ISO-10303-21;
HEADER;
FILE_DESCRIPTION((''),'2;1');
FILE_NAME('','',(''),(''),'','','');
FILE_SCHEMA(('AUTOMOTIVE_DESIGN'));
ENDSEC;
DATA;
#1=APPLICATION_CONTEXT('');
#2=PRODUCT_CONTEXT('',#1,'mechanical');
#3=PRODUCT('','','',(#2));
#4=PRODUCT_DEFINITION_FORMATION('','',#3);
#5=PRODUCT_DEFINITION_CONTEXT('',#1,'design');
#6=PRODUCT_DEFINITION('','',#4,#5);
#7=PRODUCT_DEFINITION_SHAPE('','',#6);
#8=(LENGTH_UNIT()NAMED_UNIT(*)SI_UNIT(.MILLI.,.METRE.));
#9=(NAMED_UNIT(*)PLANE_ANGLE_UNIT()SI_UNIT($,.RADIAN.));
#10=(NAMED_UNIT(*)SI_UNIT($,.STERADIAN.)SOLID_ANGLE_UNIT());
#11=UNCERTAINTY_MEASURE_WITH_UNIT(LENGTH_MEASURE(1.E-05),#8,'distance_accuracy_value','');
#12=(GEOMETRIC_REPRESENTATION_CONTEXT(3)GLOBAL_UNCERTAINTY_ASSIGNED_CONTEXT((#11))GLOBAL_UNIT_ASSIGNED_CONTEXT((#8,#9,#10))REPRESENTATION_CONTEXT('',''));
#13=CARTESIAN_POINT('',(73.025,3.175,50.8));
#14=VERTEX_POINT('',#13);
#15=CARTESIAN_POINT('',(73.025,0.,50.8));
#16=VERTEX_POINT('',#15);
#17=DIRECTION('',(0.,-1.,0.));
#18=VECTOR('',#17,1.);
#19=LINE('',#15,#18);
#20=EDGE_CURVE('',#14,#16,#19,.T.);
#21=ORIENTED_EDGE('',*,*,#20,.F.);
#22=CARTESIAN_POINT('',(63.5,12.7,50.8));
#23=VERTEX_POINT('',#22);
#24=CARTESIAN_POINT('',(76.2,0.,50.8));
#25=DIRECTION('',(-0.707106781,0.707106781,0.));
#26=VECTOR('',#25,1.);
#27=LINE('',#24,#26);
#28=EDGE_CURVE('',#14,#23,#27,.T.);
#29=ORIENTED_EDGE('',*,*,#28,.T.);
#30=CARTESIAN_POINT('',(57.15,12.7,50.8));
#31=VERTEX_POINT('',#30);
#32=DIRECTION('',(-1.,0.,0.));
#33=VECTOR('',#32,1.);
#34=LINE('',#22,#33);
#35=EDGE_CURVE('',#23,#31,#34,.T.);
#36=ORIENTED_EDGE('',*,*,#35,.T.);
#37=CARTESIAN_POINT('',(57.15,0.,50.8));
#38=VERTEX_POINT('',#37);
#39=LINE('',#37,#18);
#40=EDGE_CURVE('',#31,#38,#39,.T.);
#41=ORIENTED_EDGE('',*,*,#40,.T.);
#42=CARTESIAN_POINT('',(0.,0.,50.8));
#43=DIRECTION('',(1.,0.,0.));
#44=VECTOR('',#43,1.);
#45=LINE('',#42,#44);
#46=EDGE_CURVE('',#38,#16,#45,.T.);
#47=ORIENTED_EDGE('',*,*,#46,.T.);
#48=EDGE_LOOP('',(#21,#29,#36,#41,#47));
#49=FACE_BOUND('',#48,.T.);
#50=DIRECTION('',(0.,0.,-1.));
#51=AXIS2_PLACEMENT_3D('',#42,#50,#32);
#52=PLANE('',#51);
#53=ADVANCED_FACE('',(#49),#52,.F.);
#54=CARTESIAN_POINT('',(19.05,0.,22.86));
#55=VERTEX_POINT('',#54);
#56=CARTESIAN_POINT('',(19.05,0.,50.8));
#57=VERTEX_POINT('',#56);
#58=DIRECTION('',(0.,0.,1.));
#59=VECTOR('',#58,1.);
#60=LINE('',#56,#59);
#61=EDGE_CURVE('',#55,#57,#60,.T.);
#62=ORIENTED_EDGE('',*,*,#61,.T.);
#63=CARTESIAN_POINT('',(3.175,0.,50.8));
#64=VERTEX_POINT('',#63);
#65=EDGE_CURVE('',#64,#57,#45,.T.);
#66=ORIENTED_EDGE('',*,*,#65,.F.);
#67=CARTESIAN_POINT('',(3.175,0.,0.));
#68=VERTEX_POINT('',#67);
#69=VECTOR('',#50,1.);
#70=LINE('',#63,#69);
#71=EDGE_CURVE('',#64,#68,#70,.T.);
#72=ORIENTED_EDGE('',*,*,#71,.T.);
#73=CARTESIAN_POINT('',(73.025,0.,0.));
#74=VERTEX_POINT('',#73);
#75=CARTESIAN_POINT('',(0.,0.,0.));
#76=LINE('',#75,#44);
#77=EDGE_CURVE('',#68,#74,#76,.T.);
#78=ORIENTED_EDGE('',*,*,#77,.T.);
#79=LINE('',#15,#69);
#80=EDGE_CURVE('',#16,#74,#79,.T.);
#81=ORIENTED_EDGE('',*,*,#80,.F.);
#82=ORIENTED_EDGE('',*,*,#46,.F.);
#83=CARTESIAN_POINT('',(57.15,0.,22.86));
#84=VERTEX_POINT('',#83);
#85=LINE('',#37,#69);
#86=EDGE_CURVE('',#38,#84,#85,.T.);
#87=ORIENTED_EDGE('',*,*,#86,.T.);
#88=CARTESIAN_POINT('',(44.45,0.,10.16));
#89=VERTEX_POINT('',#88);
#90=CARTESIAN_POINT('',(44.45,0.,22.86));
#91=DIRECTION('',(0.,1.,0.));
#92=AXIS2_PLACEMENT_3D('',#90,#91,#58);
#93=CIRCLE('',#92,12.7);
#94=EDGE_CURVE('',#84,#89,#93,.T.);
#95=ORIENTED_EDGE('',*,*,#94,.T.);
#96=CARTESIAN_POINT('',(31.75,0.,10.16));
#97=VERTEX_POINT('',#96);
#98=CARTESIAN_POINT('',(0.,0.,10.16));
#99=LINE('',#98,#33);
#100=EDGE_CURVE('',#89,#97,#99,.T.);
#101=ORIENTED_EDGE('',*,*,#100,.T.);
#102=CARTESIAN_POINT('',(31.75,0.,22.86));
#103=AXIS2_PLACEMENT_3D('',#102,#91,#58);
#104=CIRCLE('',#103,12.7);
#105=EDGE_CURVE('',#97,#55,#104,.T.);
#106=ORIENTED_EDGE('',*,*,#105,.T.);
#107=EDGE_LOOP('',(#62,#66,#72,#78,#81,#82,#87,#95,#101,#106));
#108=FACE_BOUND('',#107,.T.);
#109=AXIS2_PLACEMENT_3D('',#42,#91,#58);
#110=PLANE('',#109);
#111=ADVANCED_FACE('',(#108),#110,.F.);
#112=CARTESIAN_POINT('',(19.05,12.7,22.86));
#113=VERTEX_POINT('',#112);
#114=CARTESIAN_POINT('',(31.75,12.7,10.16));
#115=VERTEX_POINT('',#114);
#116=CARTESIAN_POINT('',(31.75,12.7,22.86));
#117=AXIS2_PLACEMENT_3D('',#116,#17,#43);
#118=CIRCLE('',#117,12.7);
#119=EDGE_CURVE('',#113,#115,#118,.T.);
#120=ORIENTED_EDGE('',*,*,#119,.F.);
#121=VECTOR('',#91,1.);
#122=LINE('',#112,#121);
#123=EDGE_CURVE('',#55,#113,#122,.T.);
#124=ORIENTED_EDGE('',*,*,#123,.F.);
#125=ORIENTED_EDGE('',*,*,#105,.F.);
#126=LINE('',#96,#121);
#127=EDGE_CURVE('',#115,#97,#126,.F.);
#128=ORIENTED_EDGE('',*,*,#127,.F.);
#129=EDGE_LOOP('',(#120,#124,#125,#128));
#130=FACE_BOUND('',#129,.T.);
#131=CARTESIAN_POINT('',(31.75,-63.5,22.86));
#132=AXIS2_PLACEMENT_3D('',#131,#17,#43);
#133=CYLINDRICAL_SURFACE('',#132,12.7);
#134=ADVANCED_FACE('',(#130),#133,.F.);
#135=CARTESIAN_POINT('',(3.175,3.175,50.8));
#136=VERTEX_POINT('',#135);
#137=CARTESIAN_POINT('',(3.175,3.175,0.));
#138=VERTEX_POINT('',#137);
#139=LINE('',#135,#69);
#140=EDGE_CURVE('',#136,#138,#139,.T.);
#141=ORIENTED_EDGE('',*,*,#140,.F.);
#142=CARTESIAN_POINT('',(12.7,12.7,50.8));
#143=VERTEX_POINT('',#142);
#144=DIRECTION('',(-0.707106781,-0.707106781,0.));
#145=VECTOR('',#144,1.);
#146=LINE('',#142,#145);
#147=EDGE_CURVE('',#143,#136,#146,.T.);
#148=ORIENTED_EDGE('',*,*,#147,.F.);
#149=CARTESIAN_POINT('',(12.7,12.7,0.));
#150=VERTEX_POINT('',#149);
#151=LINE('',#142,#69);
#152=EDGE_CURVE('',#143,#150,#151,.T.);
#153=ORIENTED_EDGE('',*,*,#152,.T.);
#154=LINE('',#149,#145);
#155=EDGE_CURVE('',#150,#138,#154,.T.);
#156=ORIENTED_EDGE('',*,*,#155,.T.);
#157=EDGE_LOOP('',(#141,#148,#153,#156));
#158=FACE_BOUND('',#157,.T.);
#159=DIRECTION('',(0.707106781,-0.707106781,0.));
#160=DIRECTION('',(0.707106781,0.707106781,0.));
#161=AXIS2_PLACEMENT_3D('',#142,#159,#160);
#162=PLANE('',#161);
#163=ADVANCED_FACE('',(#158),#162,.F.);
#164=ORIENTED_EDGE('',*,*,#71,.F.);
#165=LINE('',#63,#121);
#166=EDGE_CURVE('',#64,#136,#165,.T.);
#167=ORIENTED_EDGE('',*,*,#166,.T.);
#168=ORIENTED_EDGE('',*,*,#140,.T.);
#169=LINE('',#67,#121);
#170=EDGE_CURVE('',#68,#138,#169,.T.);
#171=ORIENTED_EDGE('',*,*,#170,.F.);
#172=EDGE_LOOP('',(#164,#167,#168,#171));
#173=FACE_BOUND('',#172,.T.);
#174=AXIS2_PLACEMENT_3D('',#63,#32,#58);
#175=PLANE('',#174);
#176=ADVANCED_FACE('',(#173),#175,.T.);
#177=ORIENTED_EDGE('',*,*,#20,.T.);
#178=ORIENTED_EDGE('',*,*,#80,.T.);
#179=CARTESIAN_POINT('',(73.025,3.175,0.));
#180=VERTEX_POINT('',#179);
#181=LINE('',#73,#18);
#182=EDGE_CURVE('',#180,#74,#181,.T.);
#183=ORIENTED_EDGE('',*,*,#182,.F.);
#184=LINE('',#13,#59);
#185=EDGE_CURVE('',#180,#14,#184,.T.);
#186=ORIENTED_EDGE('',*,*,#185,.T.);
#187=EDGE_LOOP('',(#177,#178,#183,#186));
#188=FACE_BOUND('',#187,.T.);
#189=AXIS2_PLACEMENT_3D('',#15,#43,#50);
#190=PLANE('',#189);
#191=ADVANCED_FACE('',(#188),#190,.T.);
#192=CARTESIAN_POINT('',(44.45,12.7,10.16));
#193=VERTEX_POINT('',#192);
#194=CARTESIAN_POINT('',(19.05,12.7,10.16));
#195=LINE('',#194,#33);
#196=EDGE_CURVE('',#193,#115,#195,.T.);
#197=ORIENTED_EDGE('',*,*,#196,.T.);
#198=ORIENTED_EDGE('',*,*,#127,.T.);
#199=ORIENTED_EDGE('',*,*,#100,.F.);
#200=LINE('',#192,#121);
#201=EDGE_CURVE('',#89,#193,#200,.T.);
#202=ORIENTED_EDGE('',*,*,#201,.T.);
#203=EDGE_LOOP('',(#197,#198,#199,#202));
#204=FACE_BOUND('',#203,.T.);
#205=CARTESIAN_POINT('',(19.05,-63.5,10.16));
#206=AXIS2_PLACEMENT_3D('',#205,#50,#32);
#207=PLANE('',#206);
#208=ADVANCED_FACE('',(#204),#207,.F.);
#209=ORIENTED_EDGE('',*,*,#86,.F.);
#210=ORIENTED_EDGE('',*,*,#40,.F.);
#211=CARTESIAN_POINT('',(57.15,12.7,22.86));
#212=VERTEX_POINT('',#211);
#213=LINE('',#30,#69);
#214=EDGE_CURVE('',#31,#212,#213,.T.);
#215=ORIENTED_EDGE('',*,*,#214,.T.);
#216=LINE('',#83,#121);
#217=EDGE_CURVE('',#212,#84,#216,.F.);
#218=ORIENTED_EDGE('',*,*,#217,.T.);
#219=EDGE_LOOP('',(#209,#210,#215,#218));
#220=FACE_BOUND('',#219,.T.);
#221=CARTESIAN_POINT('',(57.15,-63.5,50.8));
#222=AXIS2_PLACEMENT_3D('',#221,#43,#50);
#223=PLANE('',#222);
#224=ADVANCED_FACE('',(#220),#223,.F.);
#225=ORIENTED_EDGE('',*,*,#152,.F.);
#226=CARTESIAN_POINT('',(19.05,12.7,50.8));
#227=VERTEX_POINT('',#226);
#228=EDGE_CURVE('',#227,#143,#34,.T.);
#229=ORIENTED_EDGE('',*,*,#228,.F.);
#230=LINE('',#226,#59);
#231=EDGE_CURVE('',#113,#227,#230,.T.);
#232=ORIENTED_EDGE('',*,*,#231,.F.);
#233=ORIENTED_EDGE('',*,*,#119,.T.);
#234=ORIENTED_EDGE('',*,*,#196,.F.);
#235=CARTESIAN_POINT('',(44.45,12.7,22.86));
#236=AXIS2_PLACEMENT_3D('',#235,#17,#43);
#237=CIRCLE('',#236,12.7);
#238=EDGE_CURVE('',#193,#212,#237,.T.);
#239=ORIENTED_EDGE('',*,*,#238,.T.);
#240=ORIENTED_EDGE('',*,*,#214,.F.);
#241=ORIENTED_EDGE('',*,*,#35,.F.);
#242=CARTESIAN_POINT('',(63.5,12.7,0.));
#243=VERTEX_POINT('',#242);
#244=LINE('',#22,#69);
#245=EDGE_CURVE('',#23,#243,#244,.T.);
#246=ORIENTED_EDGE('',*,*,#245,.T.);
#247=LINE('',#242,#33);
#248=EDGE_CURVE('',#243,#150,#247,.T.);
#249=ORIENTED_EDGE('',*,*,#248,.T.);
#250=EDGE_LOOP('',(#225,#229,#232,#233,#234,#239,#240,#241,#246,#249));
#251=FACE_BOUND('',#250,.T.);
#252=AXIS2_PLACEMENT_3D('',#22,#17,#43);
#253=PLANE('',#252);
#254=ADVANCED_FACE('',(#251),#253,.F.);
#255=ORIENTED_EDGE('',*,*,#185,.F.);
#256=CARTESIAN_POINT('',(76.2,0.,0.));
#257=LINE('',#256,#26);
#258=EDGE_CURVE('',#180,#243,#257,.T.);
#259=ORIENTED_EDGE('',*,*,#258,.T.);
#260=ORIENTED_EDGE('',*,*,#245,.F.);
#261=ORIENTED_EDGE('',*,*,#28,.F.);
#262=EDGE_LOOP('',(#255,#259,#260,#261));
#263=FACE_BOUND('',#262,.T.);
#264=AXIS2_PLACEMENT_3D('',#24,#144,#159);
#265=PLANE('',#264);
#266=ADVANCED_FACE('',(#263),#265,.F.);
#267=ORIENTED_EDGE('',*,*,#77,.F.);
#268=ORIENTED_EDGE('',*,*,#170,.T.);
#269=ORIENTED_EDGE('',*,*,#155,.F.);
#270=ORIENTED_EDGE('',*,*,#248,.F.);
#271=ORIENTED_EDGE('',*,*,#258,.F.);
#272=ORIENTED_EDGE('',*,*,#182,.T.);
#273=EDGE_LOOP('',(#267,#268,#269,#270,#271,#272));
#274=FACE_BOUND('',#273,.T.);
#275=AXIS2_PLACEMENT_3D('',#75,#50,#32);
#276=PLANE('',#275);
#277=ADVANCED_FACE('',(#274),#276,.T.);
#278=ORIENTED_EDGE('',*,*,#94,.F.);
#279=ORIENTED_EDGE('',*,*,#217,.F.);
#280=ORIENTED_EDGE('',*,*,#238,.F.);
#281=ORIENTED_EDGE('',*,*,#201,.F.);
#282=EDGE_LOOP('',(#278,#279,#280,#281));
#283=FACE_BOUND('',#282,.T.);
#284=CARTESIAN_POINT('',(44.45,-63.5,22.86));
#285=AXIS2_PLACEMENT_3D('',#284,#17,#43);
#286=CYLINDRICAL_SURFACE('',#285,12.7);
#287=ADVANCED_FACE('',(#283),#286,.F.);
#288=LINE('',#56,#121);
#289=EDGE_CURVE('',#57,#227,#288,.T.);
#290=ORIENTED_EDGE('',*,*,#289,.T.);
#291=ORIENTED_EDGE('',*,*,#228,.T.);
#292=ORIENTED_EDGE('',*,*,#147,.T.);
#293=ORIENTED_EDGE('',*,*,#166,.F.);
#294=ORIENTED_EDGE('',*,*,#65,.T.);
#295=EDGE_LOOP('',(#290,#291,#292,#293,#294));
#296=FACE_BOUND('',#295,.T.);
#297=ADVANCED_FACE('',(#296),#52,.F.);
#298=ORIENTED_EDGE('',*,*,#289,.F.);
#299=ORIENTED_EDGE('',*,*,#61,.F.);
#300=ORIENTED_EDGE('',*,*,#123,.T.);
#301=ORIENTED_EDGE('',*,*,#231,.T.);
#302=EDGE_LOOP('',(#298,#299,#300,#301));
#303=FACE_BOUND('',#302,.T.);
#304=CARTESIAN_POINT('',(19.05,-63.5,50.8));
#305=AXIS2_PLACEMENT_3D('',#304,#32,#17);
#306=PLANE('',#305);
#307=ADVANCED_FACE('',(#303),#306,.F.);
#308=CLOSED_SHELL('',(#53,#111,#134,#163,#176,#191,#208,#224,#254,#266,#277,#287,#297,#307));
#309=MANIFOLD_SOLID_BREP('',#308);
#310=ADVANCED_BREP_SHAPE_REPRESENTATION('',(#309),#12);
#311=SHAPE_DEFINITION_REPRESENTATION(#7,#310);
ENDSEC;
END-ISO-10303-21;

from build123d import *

# Parameters (mm, degrees)
BOSS_EXTRUDE1_DEPTH = 50.8
SKETCH2_W           = 38.1
SKETCH2_H           = 40.64
CUT_EXTRUDE1_DEPTH  = 76.2
FILLET1_R           = 12.7
SKETCH3_OUTSIDE_W   = 96.692
SKETCH3_OUTSIDE_H   = 33.192
SKETCH3_OUTSIDE_W_2 = 69.85
SKETCH3_OUTSIDE_H_2 = 12.7
CUT_EXTRUDE2_DEPTH  = 93.457395594


with BuildPart() as part:
    # Sketch1 → Boss-Extrude1 (new body)
    with BuildSketch(Plane.XY):
        Polygon((0, 0), (76.2, 0), (63.5, 12.7), (12.7, 12.7), align=None)
    extrude(amount=BOSS_EXTRUDE1_DEPTH)

    # Sketch2 → Cut-Extrude1 (cut)
    with BuildSketch(Plane(origin=(0, 12.7, 0), x_dir=(1, 0, 0), z_dir=(0, 1, 0))):
        with Locations((38.1, -30.48)):
            Rectangle(SKETCH2_W, SKETCH2_H)
    extrude(amount=-CUT_EXTRUDE1_DEPTH, mode=Mode.SUBTRACT)

    # Fillet1
    fillet1_edges = [part.edges().sort_by_distance(p)[0] for p in [
        (19.05, 6.35, 10.16),
        (57.15, 6.35, 10.16),
    ]]
    fillet(fillet1_edges, radius=FILLET1_R)

    # Sketch3 outside → Cut-Extrude2 (cut, through all)
    with BuildSketch(Plane(origin=(0, 0, 0), x_dir=(-1, 0, 0), z_dir=(0, 0, -1))):
        with Locations((-38.1, 6.35)):
            Rectangle(SKETCH3_OUTSIDE_W, SKETCH3_OUTSIDE_H)
        with Locations((-38.1, 6.35)):
            Rectangle(SKETCH3_OUTSIDE_W_2, SKETCH3_OUTSIDE_H_2, mode=Mode.SUBTRACT)
    extrude(amount=-CUT_EXTRUDE2_DEPTH, mode=Mode.SUBTRACT)


solid = part.part
